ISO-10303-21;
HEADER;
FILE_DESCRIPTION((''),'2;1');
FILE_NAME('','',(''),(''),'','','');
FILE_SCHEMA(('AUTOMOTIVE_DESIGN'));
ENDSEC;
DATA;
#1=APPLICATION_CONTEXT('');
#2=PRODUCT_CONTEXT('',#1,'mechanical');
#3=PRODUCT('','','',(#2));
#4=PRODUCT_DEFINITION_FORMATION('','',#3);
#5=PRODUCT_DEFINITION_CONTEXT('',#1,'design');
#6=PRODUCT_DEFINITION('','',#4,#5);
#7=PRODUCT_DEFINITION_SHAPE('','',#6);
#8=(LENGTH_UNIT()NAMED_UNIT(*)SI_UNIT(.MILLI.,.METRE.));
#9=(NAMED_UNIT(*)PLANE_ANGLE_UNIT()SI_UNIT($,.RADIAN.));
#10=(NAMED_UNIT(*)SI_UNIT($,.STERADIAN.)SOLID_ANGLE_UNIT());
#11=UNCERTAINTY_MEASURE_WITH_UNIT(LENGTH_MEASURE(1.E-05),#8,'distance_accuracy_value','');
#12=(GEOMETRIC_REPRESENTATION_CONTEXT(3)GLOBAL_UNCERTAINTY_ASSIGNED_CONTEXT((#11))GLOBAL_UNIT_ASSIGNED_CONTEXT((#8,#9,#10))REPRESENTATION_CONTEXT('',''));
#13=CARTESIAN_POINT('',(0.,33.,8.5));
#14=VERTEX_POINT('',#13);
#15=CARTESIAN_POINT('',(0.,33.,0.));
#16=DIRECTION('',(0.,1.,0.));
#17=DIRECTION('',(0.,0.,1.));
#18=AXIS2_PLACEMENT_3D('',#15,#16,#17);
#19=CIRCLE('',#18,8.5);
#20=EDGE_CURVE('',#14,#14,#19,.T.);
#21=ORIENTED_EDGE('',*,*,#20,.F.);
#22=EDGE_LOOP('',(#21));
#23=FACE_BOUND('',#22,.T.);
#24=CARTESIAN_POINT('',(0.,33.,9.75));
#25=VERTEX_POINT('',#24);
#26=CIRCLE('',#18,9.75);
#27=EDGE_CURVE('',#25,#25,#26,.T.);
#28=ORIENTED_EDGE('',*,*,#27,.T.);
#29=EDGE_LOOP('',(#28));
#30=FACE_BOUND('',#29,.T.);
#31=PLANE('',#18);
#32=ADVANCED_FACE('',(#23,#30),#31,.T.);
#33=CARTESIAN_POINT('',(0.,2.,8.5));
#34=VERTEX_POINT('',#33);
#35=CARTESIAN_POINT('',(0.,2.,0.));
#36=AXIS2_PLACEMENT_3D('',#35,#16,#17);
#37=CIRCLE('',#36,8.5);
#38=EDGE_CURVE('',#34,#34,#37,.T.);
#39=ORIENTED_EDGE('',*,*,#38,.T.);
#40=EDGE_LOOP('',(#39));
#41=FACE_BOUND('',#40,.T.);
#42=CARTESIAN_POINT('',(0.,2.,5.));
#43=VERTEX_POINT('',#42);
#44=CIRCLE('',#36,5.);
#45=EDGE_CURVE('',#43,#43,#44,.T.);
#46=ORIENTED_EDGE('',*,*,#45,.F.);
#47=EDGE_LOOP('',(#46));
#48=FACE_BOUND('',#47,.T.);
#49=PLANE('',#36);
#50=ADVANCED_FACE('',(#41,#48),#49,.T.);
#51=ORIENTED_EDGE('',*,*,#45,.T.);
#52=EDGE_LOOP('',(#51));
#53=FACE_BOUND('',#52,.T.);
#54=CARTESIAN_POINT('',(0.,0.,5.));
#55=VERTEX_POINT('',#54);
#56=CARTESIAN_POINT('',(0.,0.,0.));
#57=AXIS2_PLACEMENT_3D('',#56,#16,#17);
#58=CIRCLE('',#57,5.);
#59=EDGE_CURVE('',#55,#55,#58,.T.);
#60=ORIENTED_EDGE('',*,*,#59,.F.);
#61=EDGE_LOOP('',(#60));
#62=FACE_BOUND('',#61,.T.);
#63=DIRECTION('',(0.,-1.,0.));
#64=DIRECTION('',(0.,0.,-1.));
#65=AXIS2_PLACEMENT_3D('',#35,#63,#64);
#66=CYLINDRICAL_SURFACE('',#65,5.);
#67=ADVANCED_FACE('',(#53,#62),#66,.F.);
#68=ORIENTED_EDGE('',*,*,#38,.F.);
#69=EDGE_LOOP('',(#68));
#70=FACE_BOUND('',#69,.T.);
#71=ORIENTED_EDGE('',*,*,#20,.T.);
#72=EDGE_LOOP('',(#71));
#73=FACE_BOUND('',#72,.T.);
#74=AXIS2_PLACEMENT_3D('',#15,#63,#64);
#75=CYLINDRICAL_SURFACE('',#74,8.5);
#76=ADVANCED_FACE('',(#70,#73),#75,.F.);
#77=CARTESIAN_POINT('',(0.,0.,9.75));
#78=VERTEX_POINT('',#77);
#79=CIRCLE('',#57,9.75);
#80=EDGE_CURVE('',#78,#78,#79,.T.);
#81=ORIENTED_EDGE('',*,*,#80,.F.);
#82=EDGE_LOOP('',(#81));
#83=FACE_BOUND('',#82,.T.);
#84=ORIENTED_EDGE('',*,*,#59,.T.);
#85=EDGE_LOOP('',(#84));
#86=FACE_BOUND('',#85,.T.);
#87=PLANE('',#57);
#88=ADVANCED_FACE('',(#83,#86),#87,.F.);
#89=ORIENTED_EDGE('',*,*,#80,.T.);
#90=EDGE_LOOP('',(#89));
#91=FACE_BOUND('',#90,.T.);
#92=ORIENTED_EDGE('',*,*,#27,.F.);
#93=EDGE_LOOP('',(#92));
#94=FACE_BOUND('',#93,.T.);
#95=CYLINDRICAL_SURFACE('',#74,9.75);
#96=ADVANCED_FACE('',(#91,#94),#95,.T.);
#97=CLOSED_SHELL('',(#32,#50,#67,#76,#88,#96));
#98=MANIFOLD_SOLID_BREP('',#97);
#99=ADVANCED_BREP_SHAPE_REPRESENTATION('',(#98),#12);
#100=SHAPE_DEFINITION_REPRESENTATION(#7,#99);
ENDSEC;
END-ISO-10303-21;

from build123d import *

# Parameters (mm, degrees)
SKETCH2_R           = 9.75
SKETCH2_R_2         = 8.5
BOSS_EXTRUDE1_DEPTH = 33
SKETCH3_R           = 8.5
SKETCH3_R_2         = 5
BOSS_EXTRUDE2_DEPTH = 2


with BuildPart() as part:
    # Sketch2 → Boss-Extrude1 (new body)
    with BuildSketch(Plane(origin=(0, 0, 0), x_dir=(1, 0, 0), z_dir=(0, 1, 0))):
        Circle(SKETCH2_R)
        Circle(SKETCH2_R_2, mode=Mode.SUBTRACT)
    extrude(amount=BOSS_EXTRUDE1_DEPTH)

    # Sketch3 → Boss-Extrude2 (add)
    with BuildSketch(Plane(origin=(0, 0, 0), x_dir=(1, 0, 0), z_dir=(0, 1, 0))):
        Circle(SKETCH3_R)
        Circle(SKETCH3_R_2, mode=Mode.SUBTRACT)
    extrude(amount=BOSS_EXTRUDE2_DEPTH)


solid = part.part
